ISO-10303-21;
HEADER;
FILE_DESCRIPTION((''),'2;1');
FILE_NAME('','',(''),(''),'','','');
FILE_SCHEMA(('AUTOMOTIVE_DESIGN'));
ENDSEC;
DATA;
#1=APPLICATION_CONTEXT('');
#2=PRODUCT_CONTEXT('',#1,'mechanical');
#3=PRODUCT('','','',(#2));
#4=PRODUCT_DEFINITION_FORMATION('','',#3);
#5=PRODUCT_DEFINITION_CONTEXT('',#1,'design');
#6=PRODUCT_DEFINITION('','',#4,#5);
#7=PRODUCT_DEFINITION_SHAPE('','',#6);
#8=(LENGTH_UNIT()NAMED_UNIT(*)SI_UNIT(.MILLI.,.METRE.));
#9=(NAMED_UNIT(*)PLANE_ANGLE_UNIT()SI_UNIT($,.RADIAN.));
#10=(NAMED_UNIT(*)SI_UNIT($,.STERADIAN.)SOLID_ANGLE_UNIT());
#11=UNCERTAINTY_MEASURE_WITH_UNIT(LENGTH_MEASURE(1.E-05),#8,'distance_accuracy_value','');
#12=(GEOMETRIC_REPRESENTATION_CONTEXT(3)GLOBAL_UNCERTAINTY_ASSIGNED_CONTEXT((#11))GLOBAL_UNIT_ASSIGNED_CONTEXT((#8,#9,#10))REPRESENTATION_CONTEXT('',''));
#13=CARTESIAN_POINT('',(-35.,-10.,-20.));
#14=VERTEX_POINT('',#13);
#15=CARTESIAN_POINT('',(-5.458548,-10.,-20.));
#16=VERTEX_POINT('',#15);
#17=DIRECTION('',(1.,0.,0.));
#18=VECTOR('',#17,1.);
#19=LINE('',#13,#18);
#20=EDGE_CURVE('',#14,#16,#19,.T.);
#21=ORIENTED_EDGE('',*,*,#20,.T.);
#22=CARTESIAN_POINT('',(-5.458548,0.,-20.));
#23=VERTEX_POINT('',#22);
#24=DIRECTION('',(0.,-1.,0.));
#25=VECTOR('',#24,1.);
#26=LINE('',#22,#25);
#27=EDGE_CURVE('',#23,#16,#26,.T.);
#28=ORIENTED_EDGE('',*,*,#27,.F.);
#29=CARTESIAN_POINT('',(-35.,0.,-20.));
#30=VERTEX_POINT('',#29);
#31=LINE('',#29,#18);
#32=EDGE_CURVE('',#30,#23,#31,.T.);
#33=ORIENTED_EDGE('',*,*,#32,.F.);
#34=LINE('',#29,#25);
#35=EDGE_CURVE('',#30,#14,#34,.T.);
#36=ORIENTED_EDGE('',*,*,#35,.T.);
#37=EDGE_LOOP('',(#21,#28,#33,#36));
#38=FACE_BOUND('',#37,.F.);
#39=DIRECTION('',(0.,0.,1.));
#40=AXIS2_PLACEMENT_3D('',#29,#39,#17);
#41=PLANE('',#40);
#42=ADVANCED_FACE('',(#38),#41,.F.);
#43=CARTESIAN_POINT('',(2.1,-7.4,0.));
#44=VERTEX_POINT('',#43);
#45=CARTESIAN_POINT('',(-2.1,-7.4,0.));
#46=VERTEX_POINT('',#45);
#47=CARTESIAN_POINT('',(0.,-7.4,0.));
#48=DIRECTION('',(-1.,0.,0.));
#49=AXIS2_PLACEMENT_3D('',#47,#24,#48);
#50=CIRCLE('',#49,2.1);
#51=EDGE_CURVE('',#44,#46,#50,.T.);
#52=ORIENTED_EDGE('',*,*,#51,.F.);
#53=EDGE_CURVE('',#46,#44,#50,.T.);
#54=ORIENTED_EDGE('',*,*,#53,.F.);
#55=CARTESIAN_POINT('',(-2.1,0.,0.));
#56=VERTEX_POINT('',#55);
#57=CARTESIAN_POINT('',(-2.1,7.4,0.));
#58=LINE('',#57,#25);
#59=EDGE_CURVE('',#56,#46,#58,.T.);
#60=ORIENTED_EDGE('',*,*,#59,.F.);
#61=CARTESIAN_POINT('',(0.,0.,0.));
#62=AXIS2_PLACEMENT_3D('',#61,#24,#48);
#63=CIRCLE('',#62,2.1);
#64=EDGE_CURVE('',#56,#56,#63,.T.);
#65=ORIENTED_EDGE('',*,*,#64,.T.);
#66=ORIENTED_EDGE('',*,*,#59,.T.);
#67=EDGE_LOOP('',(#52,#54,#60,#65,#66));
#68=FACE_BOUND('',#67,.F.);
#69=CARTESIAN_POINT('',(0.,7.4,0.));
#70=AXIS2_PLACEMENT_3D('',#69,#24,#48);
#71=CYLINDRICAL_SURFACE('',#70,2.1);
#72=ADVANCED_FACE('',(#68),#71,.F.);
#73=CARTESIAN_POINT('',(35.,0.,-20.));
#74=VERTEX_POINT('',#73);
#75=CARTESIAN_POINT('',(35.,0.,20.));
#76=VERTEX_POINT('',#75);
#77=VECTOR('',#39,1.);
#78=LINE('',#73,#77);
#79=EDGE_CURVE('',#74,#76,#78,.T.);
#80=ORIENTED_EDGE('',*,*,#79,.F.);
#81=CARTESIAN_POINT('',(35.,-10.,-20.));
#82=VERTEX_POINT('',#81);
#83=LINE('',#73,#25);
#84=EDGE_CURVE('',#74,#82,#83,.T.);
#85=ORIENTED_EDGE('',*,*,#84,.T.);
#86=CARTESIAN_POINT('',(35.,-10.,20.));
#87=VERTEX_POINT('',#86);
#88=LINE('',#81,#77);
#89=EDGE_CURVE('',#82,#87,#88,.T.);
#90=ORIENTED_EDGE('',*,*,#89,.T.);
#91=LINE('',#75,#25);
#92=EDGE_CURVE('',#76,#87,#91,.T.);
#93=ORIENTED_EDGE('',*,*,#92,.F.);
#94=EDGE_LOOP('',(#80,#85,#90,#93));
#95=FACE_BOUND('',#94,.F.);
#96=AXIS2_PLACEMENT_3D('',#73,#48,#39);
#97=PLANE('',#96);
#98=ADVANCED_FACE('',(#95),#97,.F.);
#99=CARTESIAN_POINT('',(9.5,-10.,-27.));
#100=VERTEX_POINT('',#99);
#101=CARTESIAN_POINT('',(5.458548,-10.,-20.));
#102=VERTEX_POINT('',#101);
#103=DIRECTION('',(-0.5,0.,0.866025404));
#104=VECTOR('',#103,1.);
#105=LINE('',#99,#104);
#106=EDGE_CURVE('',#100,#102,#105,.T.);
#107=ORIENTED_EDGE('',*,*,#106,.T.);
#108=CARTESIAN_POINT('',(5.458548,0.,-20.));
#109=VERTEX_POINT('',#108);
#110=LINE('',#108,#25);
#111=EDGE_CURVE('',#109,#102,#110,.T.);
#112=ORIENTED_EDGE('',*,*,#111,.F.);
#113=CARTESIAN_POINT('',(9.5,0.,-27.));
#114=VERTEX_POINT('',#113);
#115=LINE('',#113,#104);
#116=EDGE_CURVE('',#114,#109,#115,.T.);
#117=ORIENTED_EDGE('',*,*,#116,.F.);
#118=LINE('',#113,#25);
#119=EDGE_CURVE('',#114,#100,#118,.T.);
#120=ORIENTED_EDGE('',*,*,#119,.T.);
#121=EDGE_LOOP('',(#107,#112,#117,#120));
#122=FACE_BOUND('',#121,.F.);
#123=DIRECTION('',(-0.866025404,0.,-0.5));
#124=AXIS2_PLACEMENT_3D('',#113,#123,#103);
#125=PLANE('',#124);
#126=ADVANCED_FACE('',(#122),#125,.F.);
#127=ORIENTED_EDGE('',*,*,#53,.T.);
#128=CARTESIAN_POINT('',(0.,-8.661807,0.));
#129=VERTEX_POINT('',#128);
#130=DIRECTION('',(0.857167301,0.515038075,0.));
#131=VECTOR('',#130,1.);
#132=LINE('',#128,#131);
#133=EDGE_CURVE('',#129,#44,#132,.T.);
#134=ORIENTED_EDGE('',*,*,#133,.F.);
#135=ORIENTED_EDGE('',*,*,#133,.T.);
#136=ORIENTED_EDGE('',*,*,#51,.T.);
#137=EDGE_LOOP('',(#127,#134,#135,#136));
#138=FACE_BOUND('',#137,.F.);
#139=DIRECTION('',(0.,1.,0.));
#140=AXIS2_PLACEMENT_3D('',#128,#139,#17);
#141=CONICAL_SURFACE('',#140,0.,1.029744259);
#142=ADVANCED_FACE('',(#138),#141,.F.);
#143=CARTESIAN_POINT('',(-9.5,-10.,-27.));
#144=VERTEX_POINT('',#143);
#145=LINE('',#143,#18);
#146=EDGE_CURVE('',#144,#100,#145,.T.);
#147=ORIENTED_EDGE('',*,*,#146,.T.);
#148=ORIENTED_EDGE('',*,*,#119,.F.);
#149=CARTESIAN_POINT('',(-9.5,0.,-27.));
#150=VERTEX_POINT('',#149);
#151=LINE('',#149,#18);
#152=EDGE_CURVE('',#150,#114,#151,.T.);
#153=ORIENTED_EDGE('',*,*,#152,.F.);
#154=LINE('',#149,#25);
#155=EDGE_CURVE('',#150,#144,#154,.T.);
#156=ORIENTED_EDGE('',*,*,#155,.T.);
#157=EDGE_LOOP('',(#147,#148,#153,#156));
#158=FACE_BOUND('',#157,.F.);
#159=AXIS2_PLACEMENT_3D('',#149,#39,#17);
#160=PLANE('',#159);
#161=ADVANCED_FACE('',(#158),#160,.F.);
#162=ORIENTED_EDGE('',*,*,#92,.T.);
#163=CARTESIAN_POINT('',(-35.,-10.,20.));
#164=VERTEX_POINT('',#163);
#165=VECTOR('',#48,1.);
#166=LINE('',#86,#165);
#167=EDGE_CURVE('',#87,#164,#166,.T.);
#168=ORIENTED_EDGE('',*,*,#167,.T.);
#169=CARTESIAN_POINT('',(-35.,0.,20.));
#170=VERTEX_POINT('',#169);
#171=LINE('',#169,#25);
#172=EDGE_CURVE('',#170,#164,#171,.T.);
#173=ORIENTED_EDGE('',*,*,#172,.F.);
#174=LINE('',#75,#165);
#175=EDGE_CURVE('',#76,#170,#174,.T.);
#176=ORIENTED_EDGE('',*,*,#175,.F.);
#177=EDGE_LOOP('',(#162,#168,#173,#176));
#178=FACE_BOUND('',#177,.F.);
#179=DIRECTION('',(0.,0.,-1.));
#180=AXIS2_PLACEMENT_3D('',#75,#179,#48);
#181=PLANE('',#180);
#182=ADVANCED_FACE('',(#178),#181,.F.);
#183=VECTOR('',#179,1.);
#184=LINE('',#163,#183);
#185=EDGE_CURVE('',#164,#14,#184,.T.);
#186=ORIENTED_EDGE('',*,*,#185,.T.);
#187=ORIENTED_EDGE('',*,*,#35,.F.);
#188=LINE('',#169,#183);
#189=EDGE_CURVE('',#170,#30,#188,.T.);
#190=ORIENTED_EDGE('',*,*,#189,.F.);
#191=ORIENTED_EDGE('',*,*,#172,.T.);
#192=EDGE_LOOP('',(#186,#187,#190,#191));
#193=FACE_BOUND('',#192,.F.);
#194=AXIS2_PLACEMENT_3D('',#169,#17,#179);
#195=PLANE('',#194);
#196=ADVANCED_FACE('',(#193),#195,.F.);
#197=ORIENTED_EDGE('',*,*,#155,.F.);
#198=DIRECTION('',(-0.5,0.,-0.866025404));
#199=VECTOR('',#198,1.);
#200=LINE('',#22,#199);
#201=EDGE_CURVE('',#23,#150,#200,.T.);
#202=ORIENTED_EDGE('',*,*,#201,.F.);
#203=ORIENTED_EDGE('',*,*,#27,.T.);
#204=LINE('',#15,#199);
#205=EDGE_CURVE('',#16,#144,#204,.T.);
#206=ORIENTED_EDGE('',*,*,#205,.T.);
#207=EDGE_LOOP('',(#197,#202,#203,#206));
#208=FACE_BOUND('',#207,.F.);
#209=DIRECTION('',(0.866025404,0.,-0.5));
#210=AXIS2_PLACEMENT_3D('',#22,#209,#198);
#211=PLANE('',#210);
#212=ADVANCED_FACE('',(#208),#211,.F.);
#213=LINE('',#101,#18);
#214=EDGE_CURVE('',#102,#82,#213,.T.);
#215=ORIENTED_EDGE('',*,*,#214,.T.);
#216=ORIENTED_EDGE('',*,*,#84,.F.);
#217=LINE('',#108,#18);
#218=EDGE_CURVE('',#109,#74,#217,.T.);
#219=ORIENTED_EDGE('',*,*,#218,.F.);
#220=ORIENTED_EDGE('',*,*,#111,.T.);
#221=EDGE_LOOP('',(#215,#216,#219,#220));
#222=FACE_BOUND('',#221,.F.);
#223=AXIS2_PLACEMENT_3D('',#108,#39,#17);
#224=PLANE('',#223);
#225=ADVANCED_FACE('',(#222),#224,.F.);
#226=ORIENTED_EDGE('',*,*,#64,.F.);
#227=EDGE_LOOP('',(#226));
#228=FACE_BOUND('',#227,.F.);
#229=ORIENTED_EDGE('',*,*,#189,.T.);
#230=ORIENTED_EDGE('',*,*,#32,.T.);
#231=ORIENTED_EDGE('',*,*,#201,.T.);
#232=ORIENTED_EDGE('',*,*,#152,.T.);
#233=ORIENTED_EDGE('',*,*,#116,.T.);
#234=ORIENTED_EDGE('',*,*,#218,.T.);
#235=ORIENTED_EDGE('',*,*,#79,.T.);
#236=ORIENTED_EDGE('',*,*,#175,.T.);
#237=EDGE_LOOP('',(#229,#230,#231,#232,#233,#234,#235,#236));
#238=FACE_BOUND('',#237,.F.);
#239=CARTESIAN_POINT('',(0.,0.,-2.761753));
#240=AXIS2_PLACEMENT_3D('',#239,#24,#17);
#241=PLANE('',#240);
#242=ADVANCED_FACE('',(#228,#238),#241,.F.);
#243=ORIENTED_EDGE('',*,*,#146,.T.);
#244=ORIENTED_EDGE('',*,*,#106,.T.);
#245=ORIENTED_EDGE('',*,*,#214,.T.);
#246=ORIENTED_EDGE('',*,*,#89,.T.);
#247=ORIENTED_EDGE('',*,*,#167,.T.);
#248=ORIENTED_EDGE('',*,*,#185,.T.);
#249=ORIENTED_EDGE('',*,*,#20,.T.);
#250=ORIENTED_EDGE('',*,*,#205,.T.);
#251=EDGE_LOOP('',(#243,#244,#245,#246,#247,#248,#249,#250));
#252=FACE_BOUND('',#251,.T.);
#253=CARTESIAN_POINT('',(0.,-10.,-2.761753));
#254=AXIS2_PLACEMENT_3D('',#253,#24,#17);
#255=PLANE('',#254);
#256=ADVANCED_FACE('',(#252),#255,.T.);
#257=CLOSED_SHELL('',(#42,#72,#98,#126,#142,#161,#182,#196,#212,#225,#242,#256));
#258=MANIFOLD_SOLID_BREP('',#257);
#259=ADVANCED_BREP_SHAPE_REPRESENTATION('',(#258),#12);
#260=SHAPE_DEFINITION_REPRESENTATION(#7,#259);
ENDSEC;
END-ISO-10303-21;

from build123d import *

# Parameters (mm, degrees)
F1_DEPTH = 10
F2_D     = 4.2
F2_DEPTH = 7.4
F2_TIP   = 1.2618073


with BuildPart() as f1:
    # F0 (on Front) → F1 (new body)
    with BuildSketch(Plane.XZ):
        Polygon((35, -20), (35, 0), (35, 20), (-35, 20), (-35, -20), (-5.4585481157, -20), (-9.5, -27), (0, -27), (9.5, -27), (5.4585481157, -20), align=None)
    extrude(amount=F1_DEPTH)

    # F2
    with Locations(Plane(origin=(0, 0, 0), x_dir=(1, 0, 0), z_dir=(0, 1, 0))):
        with Locations((0, 0)):
            Hole(F2_D / 2, depth=F2_DEPTH)
            with Locations((0, 0, -(F2_DEPTH + F2_TIP / 2))):  # 118° drill point
                Cone(0, F2_D / 2, F2_TIP, mode=Mode.SUBTRACT)


solid = f1.part
